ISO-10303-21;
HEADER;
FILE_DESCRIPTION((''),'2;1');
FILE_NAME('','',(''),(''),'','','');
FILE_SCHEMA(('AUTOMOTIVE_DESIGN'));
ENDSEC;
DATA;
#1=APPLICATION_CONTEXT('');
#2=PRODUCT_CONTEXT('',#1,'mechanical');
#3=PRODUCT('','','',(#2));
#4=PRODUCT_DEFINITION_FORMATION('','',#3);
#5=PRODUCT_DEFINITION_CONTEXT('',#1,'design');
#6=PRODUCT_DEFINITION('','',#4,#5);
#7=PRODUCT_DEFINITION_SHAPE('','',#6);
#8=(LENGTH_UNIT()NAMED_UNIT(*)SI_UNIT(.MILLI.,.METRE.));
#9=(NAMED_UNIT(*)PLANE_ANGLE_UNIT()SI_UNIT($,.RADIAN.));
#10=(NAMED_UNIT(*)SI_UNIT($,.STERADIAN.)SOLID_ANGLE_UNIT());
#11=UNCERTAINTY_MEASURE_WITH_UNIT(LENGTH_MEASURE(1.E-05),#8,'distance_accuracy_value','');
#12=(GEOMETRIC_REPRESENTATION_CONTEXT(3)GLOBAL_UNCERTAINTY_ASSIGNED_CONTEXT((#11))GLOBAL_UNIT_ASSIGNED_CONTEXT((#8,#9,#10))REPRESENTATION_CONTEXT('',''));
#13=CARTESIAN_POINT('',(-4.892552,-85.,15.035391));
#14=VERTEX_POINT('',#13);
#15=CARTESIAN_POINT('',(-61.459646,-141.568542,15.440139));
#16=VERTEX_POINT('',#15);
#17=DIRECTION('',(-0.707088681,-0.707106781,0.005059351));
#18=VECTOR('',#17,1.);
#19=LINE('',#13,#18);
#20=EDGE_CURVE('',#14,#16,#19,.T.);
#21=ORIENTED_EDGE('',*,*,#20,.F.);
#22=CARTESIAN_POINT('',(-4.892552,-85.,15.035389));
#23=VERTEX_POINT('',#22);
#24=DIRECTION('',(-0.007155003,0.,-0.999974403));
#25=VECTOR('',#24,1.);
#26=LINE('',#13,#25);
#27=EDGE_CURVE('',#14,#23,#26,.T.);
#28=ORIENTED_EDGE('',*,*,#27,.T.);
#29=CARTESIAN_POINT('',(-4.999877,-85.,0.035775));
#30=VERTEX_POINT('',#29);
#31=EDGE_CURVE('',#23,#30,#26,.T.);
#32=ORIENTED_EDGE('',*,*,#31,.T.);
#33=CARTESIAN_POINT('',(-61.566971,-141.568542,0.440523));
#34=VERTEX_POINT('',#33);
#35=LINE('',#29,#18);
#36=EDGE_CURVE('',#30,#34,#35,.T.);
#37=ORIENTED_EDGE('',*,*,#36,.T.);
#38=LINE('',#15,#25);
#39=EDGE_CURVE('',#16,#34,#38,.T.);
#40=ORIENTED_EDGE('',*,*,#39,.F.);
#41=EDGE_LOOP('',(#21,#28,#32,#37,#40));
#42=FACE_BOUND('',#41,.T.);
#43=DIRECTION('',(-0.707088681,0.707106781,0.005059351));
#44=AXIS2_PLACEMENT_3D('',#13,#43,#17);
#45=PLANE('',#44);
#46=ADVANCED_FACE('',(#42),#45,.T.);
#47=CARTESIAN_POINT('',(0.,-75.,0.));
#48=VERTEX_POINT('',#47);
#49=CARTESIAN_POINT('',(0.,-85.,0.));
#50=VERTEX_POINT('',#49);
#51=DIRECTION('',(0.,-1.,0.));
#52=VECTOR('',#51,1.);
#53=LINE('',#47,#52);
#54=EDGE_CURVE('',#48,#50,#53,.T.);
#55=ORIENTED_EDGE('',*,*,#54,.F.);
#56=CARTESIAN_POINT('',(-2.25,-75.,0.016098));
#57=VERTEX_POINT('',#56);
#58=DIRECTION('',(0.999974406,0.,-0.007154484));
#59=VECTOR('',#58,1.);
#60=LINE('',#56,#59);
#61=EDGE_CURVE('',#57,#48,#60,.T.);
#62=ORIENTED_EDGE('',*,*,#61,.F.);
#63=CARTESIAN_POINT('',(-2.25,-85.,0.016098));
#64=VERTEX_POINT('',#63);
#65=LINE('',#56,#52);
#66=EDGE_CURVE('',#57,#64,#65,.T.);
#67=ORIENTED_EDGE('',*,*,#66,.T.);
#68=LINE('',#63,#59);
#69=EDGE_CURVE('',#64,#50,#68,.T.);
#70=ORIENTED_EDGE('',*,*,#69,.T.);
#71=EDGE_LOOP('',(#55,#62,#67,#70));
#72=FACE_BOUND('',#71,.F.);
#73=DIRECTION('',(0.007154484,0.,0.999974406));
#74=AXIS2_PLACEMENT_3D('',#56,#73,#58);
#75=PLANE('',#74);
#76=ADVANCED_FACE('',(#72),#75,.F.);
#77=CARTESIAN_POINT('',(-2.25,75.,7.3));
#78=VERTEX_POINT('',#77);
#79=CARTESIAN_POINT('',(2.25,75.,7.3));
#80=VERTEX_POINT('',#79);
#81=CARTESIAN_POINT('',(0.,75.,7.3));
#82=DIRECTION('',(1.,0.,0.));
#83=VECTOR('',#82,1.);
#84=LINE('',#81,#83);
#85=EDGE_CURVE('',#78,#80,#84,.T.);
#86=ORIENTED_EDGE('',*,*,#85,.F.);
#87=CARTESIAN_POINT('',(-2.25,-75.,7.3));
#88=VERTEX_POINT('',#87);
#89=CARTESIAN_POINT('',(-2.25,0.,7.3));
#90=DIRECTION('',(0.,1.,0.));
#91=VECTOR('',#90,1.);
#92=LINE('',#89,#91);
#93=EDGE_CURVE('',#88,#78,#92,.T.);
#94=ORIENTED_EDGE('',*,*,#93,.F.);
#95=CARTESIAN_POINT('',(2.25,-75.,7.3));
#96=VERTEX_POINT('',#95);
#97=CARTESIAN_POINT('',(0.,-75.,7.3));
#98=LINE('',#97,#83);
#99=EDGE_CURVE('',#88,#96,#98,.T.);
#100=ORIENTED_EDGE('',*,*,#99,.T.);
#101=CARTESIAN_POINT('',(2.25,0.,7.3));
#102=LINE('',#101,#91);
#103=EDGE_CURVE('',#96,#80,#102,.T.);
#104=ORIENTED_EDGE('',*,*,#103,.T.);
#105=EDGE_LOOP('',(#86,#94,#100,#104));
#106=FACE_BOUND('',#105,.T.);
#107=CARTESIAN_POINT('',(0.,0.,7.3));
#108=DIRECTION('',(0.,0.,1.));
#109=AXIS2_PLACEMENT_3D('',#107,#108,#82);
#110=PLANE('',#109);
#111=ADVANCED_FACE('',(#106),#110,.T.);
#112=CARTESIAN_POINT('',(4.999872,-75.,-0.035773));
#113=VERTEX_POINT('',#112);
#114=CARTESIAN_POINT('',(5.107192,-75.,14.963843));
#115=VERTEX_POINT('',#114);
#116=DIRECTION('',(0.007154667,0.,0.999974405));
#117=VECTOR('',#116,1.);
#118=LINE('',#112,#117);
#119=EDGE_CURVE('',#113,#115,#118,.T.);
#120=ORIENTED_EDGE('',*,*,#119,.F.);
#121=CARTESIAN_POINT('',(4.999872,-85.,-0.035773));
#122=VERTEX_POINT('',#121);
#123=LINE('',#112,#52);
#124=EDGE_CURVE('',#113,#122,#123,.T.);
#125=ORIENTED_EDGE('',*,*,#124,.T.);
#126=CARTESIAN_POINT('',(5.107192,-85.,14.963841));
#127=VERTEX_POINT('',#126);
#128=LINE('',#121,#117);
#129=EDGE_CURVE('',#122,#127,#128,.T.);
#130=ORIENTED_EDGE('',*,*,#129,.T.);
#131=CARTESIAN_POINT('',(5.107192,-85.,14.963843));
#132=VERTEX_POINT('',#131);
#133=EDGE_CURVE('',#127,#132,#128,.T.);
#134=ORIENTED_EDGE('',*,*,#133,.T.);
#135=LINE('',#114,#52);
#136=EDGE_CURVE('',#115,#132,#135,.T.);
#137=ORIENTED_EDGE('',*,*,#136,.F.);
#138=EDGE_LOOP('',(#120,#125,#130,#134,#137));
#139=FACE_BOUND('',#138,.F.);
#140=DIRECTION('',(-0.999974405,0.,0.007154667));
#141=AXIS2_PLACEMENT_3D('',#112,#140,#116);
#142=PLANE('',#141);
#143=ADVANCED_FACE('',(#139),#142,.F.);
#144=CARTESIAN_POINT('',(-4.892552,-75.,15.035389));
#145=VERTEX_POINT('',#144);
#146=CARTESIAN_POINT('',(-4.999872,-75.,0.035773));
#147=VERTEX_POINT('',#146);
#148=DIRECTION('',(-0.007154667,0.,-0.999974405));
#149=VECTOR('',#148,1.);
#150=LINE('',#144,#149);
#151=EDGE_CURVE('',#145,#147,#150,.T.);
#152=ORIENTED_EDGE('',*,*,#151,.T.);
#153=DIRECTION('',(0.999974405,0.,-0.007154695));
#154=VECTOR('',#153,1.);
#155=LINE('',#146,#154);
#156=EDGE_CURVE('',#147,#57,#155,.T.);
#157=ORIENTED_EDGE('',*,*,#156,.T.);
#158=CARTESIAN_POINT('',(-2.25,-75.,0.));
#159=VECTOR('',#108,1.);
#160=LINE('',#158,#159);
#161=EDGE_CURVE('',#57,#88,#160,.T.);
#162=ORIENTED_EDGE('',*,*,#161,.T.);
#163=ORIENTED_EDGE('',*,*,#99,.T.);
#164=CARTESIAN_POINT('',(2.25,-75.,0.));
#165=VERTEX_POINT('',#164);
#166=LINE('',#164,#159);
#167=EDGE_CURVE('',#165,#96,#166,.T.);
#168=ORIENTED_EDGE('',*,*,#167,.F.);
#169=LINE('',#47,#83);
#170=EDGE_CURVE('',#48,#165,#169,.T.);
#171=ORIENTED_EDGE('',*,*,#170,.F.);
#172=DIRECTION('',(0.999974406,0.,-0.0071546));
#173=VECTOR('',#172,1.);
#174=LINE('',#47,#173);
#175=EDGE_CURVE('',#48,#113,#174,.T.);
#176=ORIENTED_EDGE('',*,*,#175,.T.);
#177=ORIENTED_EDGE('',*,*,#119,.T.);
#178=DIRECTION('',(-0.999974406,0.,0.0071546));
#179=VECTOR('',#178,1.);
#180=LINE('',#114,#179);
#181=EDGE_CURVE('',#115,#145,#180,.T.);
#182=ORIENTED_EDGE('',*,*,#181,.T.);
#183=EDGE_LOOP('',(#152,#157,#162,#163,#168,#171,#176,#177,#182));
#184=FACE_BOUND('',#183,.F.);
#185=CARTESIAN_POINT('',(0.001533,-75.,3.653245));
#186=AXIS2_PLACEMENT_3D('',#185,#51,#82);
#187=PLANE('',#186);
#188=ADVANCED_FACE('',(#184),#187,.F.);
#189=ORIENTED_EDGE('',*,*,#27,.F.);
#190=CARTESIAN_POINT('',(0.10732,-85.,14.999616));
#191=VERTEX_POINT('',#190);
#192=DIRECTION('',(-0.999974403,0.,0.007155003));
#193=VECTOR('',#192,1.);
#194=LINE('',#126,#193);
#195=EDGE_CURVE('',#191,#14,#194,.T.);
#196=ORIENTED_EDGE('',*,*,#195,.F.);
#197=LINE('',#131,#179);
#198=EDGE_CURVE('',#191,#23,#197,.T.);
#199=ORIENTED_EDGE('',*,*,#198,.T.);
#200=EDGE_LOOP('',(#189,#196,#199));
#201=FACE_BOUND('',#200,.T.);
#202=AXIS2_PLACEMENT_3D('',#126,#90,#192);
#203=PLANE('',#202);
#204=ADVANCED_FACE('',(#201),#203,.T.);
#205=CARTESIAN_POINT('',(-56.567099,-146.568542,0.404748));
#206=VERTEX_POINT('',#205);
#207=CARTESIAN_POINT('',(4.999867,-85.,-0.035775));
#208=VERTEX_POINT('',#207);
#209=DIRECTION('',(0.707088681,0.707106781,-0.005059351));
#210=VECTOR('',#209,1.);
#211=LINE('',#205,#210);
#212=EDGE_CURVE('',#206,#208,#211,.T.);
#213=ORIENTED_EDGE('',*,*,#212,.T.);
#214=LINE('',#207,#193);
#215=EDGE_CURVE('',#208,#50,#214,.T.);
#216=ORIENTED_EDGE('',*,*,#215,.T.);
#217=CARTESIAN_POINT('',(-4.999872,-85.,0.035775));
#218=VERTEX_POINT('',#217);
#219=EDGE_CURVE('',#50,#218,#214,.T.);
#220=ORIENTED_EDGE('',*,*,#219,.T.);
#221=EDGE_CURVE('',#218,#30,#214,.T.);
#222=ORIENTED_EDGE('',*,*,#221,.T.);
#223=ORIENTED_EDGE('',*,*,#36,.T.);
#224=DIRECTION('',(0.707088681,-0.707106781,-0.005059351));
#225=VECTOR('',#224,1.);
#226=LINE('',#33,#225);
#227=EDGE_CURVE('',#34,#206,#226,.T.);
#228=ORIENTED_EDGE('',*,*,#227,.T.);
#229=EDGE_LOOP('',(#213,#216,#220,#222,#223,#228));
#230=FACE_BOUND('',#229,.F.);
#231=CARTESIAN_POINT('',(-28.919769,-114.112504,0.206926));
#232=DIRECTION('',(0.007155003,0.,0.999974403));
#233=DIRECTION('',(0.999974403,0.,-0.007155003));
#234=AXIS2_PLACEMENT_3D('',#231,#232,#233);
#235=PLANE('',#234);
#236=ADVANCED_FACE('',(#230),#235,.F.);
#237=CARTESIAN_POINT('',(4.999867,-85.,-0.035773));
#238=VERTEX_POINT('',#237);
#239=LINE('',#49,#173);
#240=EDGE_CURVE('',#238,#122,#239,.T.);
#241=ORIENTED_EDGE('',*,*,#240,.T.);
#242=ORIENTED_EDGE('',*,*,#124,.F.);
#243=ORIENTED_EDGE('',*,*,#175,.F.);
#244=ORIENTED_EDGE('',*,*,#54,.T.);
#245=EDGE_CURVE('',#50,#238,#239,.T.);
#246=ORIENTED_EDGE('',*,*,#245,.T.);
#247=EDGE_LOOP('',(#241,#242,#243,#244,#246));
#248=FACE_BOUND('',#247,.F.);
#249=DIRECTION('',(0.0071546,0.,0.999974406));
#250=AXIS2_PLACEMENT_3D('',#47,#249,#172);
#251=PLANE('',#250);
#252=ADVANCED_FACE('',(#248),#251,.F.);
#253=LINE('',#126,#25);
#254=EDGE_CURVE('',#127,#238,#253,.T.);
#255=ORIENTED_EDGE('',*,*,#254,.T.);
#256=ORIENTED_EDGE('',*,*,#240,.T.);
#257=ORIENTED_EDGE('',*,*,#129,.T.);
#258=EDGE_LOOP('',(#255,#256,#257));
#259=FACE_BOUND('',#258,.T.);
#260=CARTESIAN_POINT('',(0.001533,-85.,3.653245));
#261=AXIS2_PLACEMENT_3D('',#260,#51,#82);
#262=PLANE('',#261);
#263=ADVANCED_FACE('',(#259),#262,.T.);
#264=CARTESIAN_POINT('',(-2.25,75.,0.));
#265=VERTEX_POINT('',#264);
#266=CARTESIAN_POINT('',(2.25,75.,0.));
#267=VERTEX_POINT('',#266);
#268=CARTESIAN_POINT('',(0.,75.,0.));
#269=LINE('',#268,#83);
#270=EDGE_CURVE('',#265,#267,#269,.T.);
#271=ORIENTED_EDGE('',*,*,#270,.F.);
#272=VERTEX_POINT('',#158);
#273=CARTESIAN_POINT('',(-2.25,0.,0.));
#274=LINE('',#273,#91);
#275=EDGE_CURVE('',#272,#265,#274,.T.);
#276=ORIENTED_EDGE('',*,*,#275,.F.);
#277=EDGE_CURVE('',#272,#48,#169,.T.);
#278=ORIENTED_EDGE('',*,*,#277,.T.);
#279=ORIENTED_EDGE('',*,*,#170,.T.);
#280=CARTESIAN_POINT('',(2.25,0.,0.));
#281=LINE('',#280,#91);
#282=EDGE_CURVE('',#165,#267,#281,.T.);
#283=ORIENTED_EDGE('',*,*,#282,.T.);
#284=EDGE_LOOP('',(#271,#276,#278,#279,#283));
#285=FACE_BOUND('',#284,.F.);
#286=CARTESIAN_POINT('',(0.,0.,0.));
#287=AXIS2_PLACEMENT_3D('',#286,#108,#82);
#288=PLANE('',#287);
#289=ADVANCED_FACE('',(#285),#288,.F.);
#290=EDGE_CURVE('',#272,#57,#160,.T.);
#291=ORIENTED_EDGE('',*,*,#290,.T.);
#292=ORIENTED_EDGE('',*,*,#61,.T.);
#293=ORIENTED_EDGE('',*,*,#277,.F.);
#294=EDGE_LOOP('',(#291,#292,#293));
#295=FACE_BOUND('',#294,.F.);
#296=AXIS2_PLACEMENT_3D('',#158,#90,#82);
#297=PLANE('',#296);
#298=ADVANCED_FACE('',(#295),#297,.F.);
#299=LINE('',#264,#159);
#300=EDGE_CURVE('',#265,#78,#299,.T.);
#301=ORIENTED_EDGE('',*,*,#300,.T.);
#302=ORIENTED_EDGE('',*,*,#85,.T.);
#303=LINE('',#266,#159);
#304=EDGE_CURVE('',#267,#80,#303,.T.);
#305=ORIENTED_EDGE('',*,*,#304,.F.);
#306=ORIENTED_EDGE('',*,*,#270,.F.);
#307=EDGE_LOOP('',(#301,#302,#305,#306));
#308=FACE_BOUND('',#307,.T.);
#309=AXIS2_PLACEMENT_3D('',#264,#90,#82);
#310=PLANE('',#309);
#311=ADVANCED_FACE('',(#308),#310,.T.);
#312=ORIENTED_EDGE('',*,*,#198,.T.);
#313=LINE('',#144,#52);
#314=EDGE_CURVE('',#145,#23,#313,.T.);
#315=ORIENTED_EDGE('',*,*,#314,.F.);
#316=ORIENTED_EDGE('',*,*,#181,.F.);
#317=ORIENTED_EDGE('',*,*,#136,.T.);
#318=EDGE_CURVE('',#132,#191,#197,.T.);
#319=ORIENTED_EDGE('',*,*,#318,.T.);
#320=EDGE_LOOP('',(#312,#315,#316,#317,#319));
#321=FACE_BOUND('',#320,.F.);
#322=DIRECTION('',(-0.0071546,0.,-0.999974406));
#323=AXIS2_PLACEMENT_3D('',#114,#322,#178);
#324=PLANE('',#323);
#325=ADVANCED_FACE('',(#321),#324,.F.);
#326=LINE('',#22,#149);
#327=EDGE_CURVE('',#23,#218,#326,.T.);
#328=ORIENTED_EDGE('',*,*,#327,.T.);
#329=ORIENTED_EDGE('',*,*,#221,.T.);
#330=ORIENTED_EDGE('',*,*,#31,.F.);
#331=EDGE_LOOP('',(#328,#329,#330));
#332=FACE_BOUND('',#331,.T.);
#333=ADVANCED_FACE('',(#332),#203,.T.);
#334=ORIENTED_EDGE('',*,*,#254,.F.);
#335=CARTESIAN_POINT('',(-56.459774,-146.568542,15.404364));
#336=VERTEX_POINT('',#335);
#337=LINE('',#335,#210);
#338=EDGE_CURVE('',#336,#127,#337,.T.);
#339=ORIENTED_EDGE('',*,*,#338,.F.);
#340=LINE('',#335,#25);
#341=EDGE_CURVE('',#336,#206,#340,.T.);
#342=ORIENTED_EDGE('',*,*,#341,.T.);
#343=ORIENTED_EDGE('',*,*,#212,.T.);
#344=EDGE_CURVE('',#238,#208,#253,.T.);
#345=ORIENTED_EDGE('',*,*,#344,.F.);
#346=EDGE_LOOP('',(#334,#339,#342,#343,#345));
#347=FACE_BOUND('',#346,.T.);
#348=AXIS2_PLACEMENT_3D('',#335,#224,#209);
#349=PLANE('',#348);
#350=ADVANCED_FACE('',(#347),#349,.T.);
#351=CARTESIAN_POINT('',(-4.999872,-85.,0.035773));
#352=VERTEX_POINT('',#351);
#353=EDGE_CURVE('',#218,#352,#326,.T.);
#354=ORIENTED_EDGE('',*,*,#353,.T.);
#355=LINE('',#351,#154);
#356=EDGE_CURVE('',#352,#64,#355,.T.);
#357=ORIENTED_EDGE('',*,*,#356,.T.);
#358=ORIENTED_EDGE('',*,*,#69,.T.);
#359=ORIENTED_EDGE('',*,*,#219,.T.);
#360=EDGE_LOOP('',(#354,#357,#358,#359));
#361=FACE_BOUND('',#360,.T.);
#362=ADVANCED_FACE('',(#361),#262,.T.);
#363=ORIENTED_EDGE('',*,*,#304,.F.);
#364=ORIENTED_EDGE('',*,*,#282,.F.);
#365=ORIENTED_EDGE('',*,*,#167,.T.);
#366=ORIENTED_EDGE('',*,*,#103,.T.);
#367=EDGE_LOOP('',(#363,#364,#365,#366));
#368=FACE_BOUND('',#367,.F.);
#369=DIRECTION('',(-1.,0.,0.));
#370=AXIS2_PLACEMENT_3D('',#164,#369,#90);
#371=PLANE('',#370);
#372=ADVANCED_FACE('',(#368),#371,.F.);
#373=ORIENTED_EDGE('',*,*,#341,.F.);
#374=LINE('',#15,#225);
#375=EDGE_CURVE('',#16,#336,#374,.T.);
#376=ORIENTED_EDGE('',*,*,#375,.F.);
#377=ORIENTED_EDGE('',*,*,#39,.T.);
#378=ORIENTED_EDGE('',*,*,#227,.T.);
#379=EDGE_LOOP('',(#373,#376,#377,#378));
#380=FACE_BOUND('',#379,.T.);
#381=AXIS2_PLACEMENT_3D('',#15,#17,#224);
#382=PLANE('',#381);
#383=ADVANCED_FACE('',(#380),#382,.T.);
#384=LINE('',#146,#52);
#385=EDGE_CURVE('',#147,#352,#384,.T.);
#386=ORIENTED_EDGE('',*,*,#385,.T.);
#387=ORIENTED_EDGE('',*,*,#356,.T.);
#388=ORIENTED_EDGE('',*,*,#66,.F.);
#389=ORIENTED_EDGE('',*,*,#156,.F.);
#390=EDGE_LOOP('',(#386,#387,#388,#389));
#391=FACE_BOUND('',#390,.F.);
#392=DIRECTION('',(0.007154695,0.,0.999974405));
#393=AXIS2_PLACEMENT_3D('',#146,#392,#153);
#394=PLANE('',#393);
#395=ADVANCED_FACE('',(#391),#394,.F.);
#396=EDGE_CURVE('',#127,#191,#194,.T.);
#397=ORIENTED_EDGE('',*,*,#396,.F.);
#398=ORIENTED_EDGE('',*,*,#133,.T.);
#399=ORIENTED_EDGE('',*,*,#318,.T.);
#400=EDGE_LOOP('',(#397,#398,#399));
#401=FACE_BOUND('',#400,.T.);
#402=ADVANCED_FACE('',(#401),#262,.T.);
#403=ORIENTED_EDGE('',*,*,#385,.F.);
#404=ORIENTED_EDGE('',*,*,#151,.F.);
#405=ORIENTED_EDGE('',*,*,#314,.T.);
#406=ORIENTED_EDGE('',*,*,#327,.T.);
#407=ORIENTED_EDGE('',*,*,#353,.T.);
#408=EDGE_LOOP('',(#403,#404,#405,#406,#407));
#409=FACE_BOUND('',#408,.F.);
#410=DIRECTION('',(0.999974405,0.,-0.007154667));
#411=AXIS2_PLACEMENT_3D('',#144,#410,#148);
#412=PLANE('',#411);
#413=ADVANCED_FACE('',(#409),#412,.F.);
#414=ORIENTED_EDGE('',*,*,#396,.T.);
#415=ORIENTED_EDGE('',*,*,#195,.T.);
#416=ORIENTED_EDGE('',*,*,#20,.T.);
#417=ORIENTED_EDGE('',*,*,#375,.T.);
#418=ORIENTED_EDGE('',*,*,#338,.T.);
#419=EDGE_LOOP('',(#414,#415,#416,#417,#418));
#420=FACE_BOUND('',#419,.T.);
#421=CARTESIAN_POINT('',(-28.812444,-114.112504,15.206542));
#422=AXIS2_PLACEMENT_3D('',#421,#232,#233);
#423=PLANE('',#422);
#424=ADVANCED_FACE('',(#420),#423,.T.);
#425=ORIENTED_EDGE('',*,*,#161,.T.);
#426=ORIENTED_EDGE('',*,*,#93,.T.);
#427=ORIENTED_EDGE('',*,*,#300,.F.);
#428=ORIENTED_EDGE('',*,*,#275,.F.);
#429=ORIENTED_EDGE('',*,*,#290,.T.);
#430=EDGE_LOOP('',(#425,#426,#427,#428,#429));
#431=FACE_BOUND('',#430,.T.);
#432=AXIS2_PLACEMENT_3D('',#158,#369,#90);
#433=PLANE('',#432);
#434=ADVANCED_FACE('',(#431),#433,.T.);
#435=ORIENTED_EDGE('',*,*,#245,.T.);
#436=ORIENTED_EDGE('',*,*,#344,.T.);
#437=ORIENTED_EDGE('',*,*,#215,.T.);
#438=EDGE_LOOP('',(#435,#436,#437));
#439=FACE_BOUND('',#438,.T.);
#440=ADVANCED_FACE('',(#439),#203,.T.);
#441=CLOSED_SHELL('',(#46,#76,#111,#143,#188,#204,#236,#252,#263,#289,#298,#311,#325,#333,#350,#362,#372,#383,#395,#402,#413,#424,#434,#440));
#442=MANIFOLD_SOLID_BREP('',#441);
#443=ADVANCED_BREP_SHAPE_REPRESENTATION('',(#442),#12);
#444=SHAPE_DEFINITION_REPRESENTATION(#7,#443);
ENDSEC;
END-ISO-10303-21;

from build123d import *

# Parameters (mm, degrees)
F0_W     = 4.5
F0_H     = 150
F1_DEPTH = 7.3
F3_DEPTH = 10
F5_DEPTH = 15


with BuildPart() as f1:
    # F0 (on Top) → F1 (new body)
    with BuildSketch(Plane.XY):
        Rectangle(F0_W, F0_H)
    extrude(amount=F1_DEPTH)

    # F2 (on face) → F3 (join)
    with BuildSketch(Plane.XZ.offset(75)):
        Polygon((-2.25, 0.016098), (0, 0), (2.25, 0), (2.25, 7.3), (-2.25, 7.3), align=None)
        Polygon((4.999872, -0.035773), (5.107192, 14.963843), (-4.892552, 15.035389), (-4.999872, 0.035773), (-2.25, 0.016098), (-2.25, 7.3), (2.25, 7.3), (2.25, 0), (0, 0), align=None)
    extrude(amount=F3_DEPTH)

    # F4 (on face) → F5 (join)
    with BuildSketch(Plane(origin=(0.10732, 0, 14.999616), x_dir=(0.999974, 0, -0.007155), z_dir=(0.007155, 0, 0.999974))):
        Polygon((5, -85), (-5, -85), (-61.568542, -141.568542), (-56.568542, -146.568542), align=None)
    extrude(amount=-F5_DEPTH)


solid = f1.part
